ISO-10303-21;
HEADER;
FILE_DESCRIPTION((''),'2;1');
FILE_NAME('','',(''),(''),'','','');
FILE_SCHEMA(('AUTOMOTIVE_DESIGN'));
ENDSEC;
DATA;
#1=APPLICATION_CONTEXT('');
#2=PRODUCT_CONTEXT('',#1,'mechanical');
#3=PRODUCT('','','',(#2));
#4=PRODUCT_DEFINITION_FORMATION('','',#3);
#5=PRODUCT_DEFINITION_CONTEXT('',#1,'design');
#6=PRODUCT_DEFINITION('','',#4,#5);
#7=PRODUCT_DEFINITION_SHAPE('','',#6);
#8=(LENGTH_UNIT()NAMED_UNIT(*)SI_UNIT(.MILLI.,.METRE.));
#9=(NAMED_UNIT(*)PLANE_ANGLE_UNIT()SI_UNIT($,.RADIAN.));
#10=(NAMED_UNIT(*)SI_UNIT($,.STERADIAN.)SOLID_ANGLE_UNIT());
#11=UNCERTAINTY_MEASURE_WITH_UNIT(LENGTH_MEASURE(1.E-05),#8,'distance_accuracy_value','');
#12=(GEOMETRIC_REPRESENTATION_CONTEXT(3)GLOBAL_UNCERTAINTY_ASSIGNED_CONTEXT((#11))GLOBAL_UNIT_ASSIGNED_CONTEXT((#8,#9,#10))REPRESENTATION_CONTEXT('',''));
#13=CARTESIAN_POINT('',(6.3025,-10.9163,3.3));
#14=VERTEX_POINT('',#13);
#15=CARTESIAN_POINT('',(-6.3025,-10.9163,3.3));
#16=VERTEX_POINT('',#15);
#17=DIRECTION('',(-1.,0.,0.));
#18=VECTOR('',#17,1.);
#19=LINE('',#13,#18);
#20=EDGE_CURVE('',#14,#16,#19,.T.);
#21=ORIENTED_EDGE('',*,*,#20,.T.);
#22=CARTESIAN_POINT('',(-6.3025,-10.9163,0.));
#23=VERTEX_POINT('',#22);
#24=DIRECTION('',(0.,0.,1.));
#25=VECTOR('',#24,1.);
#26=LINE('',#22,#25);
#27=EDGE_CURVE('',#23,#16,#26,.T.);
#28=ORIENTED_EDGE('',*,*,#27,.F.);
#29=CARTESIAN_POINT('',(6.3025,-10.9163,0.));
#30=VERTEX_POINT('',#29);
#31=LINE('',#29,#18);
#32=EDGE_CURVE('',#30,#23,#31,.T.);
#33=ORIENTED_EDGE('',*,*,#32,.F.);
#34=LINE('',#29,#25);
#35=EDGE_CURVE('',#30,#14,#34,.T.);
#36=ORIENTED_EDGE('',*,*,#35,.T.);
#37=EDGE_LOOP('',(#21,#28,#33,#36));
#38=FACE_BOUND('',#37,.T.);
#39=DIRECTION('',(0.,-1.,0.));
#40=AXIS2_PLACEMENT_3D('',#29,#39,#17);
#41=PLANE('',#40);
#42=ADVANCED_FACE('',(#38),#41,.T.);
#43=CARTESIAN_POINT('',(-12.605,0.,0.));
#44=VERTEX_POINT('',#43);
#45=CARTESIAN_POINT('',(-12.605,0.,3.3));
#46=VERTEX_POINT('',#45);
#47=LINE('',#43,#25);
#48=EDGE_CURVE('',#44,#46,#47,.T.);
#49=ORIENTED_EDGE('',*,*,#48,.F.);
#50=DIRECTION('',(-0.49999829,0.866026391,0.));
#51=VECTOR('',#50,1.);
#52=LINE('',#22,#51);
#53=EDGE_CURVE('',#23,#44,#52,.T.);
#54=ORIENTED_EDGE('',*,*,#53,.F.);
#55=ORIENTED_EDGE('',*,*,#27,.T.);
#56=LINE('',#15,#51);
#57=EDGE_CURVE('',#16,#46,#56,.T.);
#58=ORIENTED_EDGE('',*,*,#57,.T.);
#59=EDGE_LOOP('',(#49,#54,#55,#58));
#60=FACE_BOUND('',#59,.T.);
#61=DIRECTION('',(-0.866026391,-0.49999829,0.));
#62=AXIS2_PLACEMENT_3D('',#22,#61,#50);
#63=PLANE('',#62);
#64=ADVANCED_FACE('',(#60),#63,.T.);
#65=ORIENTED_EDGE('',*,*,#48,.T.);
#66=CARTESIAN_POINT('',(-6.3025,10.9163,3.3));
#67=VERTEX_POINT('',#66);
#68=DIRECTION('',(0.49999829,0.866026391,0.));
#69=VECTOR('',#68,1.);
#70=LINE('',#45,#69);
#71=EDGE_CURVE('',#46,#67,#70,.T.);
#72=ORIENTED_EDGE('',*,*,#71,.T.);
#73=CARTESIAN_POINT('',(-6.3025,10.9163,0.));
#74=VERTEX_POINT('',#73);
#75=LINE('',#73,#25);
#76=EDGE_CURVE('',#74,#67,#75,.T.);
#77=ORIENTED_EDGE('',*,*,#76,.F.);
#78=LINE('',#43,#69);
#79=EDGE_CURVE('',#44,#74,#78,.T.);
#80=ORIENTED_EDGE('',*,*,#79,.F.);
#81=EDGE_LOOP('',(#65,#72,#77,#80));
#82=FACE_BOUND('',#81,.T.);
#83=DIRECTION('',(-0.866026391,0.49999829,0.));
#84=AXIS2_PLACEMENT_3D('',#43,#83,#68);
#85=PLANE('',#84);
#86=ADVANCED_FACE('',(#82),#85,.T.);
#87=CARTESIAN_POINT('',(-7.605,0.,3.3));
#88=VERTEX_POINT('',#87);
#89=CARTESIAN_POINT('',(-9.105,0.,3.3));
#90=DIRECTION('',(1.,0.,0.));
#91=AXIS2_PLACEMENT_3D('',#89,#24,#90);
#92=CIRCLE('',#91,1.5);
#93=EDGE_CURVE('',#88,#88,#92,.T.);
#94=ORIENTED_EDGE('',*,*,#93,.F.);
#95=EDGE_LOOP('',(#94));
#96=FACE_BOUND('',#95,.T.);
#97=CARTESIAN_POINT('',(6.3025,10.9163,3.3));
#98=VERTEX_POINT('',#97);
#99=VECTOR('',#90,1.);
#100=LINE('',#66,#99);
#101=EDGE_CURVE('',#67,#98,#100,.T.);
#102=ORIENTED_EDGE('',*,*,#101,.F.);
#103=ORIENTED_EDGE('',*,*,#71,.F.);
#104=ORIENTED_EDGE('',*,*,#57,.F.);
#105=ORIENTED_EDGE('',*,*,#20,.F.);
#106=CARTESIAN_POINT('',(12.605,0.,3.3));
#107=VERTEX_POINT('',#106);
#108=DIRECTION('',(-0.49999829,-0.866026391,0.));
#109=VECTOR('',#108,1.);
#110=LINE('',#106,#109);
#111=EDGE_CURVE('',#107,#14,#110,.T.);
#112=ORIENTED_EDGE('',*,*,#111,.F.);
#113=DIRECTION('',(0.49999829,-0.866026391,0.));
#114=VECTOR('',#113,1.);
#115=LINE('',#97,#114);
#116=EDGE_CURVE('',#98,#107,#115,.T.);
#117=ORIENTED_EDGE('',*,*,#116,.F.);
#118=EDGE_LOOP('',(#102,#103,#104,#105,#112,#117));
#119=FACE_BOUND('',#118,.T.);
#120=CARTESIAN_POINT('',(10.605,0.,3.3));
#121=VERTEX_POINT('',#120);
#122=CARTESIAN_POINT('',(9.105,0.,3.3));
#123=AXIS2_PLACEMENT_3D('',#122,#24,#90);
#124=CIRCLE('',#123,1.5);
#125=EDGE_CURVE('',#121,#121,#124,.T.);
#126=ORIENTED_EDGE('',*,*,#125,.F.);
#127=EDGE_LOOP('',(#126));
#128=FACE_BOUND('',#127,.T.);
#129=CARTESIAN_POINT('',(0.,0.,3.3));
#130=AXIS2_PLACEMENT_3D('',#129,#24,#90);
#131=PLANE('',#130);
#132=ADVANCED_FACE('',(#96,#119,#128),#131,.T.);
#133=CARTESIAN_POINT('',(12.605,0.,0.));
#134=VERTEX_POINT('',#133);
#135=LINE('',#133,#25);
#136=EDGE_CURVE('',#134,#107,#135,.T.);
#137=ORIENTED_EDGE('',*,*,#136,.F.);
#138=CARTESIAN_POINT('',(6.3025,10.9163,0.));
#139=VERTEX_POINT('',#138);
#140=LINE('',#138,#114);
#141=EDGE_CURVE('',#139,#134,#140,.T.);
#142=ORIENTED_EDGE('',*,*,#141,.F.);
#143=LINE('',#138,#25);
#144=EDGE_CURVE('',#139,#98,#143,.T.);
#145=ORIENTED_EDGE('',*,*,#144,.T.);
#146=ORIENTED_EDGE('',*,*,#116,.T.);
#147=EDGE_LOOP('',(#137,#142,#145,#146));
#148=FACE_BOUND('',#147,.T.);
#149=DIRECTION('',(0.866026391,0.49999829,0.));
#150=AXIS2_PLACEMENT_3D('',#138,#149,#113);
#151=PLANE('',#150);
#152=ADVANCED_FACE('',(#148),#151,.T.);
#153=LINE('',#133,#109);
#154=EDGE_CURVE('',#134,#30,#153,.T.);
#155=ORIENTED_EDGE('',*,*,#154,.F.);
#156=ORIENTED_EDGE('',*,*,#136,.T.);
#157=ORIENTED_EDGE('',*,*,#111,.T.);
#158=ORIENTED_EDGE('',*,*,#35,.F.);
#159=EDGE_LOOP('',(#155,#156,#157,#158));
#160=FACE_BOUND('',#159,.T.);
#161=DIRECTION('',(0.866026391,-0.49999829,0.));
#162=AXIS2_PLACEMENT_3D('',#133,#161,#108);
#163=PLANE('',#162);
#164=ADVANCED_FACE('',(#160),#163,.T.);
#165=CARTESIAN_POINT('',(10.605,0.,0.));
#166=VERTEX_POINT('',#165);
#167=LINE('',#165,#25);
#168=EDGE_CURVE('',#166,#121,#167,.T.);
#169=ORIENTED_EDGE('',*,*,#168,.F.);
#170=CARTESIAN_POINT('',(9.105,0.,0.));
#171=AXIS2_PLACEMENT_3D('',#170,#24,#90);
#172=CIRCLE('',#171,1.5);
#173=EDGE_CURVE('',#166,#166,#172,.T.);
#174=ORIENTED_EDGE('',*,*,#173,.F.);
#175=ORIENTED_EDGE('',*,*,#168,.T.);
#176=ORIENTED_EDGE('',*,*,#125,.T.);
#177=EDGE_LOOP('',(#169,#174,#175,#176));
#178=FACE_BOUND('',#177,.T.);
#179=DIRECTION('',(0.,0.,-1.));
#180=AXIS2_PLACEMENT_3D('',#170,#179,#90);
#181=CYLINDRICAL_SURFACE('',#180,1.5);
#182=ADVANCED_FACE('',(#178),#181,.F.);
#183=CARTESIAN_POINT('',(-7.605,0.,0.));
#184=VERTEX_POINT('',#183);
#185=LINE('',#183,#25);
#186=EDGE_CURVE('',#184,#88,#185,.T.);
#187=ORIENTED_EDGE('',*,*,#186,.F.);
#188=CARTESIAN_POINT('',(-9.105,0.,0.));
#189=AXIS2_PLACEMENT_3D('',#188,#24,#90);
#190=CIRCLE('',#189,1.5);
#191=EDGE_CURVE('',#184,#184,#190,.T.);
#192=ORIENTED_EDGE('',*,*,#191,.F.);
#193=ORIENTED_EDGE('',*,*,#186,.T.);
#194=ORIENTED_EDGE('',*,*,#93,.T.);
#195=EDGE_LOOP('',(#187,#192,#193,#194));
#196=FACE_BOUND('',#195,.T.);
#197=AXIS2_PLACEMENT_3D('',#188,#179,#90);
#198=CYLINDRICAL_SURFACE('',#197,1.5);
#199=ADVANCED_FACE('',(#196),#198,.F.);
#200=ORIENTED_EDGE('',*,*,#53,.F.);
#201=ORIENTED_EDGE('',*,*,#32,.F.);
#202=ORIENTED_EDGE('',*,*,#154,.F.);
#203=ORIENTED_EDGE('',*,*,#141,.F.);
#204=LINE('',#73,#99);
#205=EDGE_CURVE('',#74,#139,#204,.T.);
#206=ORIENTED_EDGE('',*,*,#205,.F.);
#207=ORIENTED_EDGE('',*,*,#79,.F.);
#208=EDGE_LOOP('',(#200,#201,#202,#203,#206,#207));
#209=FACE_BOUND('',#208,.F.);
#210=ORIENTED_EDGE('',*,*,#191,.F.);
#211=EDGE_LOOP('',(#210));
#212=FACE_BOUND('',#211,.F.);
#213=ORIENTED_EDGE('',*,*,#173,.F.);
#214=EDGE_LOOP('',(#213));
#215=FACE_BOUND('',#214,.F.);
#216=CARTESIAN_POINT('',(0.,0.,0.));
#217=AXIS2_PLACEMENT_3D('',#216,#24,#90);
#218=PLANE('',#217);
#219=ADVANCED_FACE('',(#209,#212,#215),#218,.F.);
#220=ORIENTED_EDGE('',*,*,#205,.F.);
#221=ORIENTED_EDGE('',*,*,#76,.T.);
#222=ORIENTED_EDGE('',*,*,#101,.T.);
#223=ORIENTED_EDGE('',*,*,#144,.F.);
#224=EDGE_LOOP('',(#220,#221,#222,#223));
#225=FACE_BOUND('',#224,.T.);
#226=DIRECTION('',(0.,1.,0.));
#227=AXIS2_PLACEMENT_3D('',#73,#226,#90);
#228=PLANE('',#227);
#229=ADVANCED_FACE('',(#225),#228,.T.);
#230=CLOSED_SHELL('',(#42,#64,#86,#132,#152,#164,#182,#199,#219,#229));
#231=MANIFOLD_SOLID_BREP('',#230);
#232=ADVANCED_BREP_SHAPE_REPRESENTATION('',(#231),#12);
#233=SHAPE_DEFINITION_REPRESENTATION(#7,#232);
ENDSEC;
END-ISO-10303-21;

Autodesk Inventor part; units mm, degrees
ref_plane "YZ Plane" through (0, 0, 0) normal (1, 0, 0) x (0, 1, 0)
ref_plane "XZ Plane" through (0, 0, 0) normal (0, 1, 0) x (-1, 0, 0)
ref_plane "XY Plane" through (0, 0, 0) normal (0, 0, 1) x (1, 0, 0)
sketch "Sketch1" plane through (0, 0, 0) normal (0, 0, 1) x (1, 0, 0)
  line L0 (-3.9, 2.4325) -> (3.9, 2.4325) construction
  line L1 (3.9, 2.4325) -> (3.9, -2.4325) construction
  line L2 (3.9, -2.4325) -> (-3.9, -2.4325) construction
  line L3 (-3.9, -2.4325) -> (-3.9, 2.4325) construction
  line L4 (-3.9, 2.4325) -> (3.9, -2.4325) construction
  line L5 (3.9, 2.4325) -> (-3.9, -2.4325) construction
  circle A0 centre (0, 0) radius 0.5 construction
  line L6 (-20.447, 0) -> (20.447, 0) construction
  line L7 (6.3025, 10.9163) -> (12.605, 0)
  line L8 (12.605, 0) -> (6.3025, -10.9163)
  line L9 (6.3025, -10.9163) -> (-6.3025, -10.9163)
  line L10 (-6.3025, -10.9163) -> (-12.605, 0)
  line L11 (-12.605, 0) -> (-6.3025, 10.9163)
  line L12 (-6.3025, 10.9163) -> (6.3025, 10.9163)
  circle A1 centre (-9.105, 0) radius 1.5
  circle A2 centre (9.105, 0) radius 1.5
  point P0 (0, 10.9163)
  dimension "d0" = 7.8
  dimension "d1" = 4.865
  dimension "d2" = 1
  dimension "d3" = 0
  dimension "d7" = 3
  dimension "d8" = 3.5
  dimension "d9" = 21.8325
  dimension "d10" = 8.4838
  dimension "d11" = 10.9162
  dimension "d12" = 10.9162
  dimension "d13" = 10.9162
  dimension "d14" = 3.9
  dimension "d15" = 6.7914
  dimension "d16" = 3.0311
  dimension "d17" = 3.0311
  dimension "d18" = 10.9162
  dimension "d19" = 28.6239
extrude "Extrusion1" add sketch "Sketch1" along normal blind 3.3
properties part number "EncoderBoard"
